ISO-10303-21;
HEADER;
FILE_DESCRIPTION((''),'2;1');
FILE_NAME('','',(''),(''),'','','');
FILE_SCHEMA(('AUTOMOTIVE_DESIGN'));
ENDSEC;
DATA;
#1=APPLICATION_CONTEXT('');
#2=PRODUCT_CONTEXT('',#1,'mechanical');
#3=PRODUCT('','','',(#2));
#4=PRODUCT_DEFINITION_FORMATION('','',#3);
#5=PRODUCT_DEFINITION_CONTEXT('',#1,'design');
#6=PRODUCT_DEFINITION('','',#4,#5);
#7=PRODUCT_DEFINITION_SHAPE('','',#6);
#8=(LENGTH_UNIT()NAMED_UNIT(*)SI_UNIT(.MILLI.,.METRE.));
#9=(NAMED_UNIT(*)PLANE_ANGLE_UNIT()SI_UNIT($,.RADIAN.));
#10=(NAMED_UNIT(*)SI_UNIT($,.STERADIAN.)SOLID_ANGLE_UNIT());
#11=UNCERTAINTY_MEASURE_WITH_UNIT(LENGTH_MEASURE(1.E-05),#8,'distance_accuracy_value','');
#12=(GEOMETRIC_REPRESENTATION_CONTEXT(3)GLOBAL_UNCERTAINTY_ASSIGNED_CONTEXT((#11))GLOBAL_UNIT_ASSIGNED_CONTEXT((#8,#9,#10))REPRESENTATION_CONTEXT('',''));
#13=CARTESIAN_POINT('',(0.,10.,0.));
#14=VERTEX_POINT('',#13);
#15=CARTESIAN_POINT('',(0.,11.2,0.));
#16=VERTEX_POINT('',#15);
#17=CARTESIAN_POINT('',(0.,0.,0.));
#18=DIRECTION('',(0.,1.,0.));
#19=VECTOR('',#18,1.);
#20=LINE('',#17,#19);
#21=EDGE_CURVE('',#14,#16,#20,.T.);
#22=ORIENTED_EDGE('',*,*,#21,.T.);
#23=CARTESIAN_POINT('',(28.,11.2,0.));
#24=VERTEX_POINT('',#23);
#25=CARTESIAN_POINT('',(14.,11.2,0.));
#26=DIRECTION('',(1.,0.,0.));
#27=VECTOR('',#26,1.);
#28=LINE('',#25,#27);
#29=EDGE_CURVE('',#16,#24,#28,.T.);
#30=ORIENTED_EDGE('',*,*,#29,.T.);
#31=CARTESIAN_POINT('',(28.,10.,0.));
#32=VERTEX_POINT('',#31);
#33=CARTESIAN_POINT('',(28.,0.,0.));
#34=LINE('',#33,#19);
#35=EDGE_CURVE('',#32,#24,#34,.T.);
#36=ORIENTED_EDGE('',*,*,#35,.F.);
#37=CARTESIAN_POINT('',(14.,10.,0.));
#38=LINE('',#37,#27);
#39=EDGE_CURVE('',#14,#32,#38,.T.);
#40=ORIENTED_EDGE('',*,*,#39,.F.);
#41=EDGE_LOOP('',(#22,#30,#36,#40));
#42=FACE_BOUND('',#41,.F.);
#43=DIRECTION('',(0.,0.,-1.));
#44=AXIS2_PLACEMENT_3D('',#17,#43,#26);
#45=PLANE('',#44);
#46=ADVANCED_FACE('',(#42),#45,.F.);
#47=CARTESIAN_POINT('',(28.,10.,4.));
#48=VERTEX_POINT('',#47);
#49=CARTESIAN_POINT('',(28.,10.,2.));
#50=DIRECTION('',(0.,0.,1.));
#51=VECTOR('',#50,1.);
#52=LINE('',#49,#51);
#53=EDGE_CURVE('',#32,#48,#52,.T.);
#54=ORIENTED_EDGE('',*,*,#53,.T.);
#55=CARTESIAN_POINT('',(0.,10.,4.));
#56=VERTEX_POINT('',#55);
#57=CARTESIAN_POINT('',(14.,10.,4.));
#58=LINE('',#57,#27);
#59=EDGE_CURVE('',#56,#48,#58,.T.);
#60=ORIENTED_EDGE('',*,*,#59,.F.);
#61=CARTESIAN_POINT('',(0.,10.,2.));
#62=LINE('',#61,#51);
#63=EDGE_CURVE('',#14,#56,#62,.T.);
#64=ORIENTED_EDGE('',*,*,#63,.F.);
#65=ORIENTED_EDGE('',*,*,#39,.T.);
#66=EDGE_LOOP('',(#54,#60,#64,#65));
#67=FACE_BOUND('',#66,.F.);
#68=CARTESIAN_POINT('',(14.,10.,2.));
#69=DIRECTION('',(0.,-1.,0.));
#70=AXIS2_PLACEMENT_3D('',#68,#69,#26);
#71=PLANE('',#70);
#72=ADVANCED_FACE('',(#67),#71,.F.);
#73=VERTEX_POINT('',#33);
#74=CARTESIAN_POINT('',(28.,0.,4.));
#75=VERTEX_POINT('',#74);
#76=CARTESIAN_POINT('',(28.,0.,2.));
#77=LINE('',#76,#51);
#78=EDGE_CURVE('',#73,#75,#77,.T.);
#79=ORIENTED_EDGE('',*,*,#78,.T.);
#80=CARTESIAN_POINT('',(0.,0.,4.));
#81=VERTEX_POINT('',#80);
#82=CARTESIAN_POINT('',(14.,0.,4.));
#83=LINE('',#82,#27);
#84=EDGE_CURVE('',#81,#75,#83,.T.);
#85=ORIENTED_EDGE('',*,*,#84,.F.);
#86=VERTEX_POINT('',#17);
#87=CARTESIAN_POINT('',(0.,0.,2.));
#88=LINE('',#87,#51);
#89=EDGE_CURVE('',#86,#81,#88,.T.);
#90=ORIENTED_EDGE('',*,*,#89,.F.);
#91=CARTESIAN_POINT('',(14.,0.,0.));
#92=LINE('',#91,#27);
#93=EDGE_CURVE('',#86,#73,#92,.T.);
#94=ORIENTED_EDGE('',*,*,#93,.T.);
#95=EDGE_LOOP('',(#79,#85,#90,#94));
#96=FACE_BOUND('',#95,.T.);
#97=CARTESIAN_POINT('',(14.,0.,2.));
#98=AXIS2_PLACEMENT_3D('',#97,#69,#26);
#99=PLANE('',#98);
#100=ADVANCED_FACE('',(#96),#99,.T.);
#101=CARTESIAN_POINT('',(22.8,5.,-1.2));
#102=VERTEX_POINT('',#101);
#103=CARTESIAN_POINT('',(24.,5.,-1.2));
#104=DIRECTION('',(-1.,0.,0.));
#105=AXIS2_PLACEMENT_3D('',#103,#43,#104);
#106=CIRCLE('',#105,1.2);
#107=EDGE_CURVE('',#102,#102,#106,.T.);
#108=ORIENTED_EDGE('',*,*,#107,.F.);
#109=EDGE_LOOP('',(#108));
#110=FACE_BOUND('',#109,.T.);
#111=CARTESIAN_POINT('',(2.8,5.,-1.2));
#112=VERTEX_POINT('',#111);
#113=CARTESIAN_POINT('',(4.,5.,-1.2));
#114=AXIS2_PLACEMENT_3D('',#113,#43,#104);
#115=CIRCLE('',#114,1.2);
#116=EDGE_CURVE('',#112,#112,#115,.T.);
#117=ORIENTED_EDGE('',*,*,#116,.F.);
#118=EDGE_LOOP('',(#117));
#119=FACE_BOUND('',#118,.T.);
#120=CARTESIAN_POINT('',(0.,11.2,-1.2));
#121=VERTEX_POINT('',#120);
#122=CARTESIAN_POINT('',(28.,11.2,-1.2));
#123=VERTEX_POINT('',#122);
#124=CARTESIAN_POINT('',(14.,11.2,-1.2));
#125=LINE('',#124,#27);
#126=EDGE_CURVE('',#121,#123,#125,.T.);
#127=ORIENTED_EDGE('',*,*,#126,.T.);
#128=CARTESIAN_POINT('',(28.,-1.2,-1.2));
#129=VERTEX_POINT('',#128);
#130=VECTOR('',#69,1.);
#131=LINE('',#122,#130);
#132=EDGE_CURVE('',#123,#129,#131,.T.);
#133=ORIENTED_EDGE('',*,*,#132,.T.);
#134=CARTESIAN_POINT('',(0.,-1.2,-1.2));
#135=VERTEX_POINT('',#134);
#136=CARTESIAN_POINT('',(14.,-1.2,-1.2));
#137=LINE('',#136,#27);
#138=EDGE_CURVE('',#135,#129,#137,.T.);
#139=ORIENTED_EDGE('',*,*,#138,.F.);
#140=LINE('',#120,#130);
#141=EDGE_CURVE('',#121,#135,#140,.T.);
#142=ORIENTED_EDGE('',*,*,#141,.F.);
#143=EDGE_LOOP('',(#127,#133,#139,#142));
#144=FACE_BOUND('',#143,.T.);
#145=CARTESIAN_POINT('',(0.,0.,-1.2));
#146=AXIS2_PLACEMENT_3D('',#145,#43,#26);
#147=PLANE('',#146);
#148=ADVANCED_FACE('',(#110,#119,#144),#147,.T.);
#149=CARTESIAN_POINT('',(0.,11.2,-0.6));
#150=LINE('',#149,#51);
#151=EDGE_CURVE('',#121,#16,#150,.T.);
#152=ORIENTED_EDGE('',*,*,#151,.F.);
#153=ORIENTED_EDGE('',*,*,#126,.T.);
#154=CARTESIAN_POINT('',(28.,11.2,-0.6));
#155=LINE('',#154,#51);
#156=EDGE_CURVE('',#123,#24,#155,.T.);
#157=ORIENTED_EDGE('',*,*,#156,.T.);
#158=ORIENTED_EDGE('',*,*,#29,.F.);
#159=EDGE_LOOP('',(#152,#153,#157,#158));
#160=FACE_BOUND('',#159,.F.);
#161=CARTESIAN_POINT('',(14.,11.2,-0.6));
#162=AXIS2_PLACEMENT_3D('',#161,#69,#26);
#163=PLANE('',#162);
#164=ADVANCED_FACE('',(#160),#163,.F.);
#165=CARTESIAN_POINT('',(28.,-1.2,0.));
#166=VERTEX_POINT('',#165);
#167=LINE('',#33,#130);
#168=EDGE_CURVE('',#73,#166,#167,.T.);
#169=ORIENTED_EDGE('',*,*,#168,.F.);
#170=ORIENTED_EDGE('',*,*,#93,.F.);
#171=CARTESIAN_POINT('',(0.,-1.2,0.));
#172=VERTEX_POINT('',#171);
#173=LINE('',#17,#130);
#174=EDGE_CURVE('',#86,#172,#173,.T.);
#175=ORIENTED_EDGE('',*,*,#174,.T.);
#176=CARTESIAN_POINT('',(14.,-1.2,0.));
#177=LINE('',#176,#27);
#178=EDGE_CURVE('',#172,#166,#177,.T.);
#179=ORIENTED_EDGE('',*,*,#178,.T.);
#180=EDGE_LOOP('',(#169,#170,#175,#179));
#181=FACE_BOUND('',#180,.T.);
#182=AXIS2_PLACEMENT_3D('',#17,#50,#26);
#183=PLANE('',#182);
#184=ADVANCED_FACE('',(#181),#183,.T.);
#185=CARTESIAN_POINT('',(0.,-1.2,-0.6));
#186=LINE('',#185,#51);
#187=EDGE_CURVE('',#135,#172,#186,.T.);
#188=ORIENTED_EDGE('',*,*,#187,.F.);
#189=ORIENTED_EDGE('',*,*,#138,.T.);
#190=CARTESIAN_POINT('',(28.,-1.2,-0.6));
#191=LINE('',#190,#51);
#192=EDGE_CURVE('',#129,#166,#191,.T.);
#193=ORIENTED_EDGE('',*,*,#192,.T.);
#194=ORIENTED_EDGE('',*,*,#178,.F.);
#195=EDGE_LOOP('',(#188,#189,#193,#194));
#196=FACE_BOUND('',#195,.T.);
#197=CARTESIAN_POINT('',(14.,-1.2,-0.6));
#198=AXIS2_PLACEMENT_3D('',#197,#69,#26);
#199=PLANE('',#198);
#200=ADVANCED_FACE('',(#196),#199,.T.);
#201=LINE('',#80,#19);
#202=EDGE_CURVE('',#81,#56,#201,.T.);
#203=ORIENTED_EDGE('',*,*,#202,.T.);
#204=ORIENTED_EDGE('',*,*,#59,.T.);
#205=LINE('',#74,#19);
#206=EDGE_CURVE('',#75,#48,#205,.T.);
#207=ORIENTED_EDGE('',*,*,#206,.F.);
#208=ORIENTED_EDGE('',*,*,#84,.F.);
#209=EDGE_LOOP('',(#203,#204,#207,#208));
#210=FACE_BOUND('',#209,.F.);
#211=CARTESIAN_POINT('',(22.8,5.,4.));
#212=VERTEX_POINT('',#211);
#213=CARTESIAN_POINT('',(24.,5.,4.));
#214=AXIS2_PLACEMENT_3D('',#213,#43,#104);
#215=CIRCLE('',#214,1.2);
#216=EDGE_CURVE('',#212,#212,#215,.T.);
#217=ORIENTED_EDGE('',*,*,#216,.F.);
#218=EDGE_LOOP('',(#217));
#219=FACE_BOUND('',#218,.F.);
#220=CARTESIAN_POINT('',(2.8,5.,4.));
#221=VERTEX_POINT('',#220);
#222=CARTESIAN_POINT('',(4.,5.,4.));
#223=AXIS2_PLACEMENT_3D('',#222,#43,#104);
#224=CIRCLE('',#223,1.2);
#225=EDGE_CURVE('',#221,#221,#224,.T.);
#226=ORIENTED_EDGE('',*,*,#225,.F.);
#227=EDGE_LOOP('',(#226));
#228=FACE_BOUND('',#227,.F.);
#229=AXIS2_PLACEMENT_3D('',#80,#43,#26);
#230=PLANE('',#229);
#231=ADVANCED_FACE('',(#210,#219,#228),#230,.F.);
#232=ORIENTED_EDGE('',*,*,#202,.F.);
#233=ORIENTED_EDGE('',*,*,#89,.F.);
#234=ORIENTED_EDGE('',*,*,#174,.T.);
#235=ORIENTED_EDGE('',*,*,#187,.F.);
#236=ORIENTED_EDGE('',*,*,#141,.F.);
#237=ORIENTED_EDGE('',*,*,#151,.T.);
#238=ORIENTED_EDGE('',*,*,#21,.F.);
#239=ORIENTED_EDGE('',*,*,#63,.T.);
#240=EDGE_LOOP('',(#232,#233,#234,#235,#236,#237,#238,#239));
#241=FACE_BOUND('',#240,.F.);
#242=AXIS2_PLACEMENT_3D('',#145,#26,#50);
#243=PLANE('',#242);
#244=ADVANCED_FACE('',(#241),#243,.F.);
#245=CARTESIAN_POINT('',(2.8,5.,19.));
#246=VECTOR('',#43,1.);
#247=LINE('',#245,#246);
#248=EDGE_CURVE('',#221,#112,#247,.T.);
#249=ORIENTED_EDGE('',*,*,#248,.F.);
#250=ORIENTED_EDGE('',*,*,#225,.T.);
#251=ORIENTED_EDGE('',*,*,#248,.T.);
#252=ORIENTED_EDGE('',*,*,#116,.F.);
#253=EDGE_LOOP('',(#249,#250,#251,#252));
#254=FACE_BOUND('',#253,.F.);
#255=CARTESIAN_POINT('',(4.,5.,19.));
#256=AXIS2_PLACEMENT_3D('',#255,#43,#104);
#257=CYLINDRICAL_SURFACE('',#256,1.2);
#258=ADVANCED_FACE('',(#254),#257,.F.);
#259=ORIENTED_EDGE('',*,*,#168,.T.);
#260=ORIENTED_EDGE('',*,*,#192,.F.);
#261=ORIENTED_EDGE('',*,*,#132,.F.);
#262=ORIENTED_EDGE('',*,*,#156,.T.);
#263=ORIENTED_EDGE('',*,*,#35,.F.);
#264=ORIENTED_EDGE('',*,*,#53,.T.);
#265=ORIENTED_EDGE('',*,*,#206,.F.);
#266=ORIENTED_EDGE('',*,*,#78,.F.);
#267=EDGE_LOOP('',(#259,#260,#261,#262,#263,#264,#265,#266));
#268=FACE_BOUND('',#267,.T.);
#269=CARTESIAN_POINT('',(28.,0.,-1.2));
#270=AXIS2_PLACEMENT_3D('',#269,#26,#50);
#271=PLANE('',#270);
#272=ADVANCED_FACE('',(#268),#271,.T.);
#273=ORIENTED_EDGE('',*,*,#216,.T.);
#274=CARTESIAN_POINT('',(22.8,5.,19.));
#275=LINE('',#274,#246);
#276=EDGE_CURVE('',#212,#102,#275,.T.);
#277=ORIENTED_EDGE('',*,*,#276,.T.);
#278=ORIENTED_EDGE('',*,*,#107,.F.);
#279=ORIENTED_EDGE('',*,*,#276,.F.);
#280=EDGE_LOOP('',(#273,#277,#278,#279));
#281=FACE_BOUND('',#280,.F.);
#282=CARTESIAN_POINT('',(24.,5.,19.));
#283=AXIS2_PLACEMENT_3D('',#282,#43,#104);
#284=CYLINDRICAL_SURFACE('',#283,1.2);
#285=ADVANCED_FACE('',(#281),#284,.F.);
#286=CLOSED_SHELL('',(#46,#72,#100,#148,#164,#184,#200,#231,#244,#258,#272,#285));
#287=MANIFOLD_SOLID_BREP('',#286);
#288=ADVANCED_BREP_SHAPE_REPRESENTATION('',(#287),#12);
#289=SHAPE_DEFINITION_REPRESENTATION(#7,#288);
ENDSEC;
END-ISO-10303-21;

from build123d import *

# Parameters (mm, degrees)
F0_W          = 28
F0_H          = 4
F1_DEPTH      = 10
F2_W          = 28
F2_H          = 1.2
F3_DEPTH      = 1.2
F3_DEPTH_BACK = 11.2
F5_D          = 2.4
F5_DEPTH      = 15


with BuildPart() as f1:
    # F0 (on Front) → F1 (new body)
    with BuildSketch(Plane.XZ):
        with Locations((14, 2)):
            Rectangle(F0_W, F0_H)
    extrude(amount=-F1_DEPTH)

    # F2 (on Front) → F3 (join, two sides)
    with BuildSketch(Plane.XZ) as f3_sk:
        with Locations((14, -0.6)):
            Rectangle(F2_W, F2_H)
    extrude(amount=F3_DEPTH)
    extrude(f3_sk.sketch, amount=-F3_DEPTH_BACK)

    # F5
    with Locations(Plane.XY.offset(4)):
        with Locations((4, 5), (24, 5)):
            Hole(F5_D / 2, depth=F5_DEPTH)


solid = f1.part
